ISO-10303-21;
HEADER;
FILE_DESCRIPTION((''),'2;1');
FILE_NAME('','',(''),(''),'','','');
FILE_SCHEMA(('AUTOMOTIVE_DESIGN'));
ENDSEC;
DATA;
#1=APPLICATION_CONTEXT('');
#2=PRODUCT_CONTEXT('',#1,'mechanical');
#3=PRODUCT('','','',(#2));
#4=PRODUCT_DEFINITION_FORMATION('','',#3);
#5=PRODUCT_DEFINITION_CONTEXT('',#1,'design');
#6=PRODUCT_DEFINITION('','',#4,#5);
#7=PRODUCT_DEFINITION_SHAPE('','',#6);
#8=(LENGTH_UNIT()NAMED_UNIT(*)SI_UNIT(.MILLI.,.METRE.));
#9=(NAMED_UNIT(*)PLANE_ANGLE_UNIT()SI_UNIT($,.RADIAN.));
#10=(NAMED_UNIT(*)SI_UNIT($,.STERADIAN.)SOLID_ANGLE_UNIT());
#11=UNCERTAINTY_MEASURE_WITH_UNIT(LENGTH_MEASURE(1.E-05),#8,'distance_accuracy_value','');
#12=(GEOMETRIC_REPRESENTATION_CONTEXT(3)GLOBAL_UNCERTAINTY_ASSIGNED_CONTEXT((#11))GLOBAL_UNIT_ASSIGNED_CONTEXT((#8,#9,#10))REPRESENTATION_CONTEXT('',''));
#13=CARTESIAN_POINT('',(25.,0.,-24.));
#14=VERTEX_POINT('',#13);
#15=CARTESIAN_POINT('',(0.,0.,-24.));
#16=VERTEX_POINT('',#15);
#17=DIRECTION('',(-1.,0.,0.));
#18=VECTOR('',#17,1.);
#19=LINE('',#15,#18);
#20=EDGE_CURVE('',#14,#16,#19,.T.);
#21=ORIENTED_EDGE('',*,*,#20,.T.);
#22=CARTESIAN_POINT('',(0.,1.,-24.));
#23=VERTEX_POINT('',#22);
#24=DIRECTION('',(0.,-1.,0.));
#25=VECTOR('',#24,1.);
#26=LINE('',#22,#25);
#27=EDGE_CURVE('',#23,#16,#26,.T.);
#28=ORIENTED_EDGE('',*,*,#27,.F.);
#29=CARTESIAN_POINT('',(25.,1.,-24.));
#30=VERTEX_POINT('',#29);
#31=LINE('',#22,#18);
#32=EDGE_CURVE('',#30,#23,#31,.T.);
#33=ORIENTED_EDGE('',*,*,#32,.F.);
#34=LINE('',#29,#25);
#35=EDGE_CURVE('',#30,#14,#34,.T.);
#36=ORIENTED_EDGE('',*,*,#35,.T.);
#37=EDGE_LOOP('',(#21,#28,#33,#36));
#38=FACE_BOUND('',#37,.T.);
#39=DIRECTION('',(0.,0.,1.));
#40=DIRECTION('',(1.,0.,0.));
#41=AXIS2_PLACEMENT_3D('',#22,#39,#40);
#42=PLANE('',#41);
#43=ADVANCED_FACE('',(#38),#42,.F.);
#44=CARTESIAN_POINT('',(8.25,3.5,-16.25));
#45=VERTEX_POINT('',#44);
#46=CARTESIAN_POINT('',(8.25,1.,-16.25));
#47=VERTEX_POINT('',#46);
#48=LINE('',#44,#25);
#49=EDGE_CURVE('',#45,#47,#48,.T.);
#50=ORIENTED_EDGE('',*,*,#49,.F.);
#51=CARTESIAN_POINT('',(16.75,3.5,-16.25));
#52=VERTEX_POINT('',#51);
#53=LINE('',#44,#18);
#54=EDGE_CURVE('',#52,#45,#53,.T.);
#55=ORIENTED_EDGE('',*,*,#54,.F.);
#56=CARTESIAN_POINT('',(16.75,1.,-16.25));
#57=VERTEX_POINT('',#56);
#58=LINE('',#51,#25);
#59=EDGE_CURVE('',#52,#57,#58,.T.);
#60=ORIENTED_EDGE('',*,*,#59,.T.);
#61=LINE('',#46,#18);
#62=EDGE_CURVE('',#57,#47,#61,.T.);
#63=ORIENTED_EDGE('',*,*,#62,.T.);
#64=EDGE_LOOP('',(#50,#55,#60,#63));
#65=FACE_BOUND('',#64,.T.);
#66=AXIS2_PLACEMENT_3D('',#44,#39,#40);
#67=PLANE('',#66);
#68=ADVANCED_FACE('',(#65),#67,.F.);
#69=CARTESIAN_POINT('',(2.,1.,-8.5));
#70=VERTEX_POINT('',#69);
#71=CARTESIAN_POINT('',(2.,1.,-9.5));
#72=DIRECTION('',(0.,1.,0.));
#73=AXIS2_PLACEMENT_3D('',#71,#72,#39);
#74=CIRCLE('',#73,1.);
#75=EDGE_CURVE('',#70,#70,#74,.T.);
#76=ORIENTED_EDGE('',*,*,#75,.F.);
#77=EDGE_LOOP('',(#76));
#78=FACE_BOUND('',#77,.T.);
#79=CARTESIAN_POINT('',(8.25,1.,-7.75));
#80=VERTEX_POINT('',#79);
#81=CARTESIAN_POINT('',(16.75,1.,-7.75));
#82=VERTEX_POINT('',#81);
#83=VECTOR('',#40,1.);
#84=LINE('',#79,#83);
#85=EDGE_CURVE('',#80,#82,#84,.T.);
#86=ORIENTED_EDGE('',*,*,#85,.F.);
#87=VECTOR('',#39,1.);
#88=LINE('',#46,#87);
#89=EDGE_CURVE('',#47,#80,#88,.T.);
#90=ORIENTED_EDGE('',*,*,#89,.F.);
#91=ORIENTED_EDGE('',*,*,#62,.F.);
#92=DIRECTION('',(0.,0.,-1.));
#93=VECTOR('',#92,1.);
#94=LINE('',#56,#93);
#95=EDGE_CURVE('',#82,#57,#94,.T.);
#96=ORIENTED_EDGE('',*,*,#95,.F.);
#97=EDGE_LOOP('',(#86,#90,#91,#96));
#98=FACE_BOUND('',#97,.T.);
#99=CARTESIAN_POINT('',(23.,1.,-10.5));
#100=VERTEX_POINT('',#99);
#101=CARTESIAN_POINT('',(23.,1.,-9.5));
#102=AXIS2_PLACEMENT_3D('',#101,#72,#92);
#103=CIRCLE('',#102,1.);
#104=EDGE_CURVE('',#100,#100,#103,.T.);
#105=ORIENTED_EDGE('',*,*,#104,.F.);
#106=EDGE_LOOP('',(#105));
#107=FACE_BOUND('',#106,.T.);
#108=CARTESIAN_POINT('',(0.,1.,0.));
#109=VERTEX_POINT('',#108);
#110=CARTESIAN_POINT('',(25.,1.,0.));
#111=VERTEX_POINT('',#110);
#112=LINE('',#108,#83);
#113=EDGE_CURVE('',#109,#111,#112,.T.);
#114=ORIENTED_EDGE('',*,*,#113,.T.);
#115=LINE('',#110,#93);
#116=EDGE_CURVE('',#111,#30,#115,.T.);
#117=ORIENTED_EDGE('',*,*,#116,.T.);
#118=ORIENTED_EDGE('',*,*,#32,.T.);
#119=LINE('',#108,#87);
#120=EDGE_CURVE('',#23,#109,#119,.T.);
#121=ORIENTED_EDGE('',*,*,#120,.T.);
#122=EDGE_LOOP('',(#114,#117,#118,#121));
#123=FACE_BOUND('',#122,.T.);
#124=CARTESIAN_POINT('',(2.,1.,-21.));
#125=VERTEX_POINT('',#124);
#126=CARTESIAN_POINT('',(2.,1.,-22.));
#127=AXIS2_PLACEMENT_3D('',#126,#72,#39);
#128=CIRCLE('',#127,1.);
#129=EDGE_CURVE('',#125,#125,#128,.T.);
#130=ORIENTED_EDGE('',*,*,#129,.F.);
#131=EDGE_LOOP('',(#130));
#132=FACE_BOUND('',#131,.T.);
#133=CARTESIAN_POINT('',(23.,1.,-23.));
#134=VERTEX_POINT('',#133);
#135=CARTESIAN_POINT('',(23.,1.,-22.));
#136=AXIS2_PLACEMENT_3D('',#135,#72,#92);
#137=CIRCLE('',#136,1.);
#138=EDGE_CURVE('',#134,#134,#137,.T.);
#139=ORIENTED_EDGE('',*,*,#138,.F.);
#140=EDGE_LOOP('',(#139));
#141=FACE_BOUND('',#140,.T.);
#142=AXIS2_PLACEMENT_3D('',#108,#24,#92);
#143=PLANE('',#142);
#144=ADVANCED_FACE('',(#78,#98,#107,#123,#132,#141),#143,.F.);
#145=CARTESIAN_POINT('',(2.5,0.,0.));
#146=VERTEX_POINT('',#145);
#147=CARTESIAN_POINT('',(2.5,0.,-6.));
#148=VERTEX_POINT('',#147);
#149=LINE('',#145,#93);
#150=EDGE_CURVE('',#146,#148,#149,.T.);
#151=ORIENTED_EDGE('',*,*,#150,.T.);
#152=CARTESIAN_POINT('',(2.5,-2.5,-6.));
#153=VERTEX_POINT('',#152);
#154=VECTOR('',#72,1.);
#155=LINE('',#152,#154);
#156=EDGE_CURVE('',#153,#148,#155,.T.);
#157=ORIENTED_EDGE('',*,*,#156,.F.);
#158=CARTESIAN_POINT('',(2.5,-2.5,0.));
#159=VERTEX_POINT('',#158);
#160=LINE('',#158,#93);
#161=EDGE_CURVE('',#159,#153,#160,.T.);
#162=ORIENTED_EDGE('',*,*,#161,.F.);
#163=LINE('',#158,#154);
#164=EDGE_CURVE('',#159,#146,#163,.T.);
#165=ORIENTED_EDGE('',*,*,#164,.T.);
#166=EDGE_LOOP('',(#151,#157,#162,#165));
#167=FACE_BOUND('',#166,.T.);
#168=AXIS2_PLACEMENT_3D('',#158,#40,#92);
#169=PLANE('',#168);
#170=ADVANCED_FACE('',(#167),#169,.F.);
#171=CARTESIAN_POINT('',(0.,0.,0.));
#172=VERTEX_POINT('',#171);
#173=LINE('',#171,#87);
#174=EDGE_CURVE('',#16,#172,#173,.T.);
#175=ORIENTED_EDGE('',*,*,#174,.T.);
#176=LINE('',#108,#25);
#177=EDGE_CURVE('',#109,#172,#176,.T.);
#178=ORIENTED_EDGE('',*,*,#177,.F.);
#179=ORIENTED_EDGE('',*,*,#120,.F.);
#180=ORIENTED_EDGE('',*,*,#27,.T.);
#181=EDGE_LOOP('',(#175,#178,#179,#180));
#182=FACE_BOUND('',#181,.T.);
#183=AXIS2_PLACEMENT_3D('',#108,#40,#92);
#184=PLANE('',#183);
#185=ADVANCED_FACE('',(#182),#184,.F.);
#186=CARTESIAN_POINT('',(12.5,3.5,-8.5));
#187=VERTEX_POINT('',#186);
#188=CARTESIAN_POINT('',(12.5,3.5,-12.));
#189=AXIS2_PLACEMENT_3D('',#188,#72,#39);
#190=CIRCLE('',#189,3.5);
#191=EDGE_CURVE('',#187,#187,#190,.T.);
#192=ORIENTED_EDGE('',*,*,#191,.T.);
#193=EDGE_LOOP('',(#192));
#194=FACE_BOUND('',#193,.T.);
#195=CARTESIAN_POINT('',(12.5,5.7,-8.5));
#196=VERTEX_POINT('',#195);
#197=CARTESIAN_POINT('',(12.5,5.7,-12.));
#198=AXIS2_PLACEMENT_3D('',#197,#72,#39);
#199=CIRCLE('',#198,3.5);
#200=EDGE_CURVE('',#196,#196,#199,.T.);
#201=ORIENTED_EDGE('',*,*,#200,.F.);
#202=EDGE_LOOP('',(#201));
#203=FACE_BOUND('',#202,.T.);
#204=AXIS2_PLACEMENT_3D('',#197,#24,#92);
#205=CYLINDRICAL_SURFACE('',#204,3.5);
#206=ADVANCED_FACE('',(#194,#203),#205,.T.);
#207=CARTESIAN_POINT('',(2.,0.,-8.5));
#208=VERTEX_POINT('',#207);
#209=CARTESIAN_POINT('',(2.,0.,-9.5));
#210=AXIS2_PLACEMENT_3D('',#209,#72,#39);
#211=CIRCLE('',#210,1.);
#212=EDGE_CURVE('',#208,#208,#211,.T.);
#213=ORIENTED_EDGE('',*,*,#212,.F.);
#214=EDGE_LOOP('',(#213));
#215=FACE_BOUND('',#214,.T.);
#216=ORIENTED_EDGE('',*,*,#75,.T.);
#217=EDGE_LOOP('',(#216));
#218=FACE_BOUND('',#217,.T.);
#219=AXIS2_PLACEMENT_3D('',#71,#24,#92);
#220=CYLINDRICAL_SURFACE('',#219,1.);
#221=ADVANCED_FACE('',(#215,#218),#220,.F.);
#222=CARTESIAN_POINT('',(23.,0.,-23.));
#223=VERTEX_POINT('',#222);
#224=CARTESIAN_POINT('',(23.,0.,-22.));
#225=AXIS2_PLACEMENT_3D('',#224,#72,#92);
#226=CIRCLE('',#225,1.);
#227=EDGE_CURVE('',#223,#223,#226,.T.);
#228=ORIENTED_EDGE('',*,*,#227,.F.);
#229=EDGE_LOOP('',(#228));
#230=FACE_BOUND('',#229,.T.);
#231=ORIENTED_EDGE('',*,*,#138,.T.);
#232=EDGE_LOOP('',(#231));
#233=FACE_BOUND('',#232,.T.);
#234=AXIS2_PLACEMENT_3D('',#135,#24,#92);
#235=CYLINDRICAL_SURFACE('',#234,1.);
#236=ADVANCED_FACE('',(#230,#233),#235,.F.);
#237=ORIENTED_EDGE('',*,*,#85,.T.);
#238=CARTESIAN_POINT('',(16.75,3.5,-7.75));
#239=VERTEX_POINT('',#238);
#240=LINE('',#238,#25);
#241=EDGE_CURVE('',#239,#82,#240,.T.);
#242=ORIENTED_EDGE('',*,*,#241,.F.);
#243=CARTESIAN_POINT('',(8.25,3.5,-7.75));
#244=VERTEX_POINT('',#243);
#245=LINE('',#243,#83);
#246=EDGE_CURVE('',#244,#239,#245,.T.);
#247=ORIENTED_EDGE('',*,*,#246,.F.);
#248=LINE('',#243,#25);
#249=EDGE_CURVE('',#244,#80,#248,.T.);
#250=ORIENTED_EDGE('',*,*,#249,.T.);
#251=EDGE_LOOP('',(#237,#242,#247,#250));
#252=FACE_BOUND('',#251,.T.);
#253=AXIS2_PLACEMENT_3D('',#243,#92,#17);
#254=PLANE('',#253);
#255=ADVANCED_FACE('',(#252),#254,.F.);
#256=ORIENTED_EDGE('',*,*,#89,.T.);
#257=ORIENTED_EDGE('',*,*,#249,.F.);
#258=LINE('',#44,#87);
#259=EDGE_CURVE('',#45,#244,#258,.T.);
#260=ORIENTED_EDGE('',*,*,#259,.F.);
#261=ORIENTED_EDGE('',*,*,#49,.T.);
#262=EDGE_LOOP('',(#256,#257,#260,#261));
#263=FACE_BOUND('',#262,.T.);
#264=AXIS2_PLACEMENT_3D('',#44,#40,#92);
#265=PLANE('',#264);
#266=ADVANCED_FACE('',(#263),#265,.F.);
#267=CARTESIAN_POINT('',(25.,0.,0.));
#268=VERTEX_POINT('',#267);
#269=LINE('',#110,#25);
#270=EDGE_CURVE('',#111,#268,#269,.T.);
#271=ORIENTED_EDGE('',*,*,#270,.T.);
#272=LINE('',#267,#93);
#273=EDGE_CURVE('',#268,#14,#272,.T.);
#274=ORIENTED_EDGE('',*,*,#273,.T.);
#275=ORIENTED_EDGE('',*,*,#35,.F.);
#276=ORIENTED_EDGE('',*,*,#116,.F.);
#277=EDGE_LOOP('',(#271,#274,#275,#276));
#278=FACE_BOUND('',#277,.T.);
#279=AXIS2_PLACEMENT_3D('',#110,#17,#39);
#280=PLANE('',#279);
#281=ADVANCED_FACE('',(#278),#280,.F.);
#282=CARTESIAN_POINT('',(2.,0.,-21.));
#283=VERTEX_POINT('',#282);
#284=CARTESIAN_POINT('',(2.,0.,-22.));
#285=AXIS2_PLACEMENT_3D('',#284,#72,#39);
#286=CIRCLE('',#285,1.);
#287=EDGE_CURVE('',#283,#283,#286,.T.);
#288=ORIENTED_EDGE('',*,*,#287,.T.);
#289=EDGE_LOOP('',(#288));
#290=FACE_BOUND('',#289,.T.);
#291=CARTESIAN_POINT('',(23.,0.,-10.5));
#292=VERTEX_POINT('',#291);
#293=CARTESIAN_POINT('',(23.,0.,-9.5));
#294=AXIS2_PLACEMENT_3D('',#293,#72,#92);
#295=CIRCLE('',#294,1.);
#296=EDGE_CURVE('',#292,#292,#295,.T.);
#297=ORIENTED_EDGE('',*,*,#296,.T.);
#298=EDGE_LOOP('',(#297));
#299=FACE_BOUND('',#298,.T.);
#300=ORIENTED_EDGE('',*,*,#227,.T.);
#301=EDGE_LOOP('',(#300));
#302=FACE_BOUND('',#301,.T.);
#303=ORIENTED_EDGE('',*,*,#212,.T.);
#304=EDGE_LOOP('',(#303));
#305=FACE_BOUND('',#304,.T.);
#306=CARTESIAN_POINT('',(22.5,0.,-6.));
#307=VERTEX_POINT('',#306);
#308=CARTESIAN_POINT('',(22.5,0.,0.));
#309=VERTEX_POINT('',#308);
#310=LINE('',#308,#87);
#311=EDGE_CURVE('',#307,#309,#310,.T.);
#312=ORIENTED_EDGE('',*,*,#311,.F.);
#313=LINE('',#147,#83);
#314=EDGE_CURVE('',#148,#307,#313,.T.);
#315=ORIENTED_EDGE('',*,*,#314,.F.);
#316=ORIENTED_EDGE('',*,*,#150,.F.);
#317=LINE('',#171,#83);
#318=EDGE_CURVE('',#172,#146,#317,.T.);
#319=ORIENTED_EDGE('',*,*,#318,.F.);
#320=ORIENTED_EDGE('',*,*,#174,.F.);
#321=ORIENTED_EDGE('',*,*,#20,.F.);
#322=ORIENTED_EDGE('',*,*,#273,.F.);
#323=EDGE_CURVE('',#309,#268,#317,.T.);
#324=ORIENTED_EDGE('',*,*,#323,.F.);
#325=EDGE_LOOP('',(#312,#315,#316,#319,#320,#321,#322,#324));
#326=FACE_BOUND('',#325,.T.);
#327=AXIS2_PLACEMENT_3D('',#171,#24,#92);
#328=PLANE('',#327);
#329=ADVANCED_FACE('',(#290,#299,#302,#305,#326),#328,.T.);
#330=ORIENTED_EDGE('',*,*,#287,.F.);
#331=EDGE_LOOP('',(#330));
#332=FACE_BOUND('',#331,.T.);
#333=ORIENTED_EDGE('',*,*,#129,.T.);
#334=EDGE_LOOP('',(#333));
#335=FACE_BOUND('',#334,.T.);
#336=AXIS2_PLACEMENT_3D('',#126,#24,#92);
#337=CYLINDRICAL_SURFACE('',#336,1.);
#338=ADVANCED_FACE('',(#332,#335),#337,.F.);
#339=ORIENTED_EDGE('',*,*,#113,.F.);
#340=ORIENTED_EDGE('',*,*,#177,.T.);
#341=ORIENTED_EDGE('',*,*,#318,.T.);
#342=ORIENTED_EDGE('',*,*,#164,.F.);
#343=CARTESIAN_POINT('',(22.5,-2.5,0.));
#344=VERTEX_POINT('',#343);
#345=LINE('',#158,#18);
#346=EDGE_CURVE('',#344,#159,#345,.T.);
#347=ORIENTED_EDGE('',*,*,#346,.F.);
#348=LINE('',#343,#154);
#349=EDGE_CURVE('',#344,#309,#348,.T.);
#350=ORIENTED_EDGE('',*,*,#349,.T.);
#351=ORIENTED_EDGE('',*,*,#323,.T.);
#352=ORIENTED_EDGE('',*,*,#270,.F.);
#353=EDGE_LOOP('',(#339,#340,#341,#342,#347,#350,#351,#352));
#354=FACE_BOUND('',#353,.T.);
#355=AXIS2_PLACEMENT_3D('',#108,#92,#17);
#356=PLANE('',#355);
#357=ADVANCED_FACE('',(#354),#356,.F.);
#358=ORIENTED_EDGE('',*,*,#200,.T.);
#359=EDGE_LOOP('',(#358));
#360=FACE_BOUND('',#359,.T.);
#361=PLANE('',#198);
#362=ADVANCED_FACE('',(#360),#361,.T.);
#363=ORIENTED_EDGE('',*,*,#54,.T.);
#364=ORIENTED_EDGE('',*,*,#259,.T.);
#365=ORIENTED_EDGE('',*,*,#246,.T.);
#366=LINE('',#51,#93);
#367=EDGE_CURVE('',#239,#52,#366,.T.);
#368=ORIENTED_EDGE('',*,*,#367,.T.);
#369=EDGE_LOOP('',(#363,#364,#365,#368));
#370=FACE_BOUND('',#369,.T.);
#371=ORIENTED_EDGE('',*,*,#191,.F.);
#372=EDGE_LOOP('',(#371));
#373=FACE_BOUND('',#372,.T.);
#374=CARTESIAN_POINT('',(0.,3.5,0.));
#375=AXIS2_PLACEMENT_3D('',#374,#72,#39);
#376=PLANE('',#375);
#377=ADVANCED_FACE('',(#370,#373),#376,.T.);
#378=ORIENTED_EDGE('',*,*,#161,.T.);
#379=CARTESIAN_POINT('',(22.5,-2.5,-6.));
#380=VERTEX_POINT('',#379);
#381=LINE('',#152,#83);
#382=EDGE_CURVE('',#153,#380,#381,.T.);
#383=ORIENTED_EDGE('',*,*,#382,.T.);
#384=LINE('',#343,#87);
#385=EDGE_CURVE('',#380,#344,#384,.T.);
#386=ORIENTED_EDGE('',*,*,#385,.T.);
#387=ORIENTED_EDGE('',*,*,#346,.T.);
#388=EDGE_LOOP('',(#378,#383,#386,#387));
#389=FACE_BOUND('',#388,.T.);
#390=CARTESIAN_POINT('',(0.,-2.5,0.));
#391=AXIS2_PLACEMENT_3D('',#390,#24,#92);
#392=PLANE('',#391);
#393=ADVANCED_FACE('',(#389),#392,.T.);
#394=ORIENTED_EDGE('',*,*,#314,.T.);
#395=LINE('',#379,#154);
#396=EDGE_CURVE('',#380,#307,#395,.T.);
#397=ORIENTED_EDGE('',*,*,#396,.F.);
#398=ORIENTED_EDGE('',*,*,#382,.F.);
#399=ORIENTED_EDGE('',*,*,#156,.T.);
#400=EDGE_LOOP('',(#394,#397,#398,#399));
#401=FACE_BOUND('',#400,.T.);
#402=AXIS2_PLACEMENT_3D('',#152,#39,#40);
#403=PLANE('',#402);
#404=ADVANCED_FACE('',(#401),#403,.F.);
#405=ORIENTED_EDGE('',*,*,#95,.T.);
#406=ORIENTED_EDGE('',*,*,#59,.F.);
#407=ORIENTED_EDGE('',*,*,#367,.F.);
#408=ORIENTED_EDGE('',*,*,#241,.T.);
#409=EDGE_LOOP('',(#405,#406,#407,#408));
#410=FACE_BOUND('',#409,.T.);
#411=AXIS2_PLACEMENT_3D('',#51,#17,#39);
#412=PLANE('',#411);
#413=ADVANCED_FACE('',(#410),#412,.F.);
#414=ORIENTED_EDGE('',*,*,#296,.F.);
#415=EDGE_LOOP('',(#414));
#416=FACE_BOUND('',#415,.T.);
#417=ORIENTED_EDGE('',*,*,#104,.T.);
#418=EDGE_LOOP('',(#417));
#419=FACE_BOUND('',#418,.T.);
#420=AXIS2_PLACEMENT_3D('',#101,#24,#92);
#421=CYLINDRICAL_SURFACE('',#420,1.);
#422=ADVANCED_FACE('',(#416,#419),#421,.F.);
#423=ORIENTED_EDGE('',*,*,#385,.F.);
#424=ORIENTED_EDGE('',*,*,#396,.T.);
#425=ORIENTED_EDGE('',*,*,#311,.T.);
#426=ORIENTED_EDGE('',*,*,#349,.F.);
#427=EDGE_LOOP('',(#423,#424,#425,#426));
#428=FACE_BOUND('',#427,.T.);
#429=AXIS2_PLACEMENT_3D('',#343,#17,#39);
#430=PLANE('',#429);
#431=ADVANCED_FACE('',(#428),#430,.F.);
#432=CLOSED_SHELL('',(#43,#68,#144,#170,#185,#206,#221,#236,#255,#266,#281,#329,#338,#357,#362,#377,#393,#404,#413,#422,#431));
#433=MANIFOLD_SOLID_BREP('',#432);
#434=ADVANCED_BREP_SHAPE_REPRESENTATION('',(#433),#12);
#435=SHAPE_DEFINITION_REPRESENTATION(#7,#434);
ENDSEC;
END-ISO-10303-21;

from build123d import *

# Parameters (mm, degrees)
SKETCH1_W           = 25
SKETCH1_H           = 24
SKETCH1_R           = 1
BOSS_EXTRUDE1_DEPTH = 1
SKETCH2_W           = 8.5
SKETCH2_H           = 8.5
BOSS_EXTRUDE2_DEPTH = 2.5
SKETCH3_R           = 3.5
BOSS_EXTRUDE3_DEPTH = 2.2
SKETCH4_W           = 20
SKETCH4_H           = 6
BOSS_EXTRUDE4_DEPTH = 2.5


with BuildPart() as part:
    # Sketch1 → Boss-Extrude1 (new body)
    with BuildSketch(Plane(origin=(0, 0, 0), x_dir=(1, 0, 0), z_dir=(0, 1, 0))):
        with Locations((12.5, 12)):
            Rectangle(SKETCH1_W, SKETCH1_H)
        with Locations((2, 22)):
            Circle(SKETCH1_R, mode=Mode.SUBTRACT)
        with Locations((2, 9.5)):
            Circle(SKETCH1_R, mode=Mode.SUBTRACT)
        with Locations((23, 9.5)):
            Circle(SKETCH1_R, mode=Mode.SUBTRACT)
        with Locations((23, 22)):
            Circle(SKETCH1_R, mode=Mode.SUBTRACT)
    extrude(amount=BOSS_EXTRUDE1_DEPTH)

    # Sketch2 → Boss-Extrude2 (add)
    with BuildSketch(Plane(origin=(0, 1, 0), x_dir=(1, 0, 0), z_dir=(0, 1, 0))):
        with Locations((12.5, 12)):
            Rectangle(SKETCH2_W, SKETCH2_H)
    extrude(amount=BOSS_EXTRUDE2_DEPTH)

    # Sketch3 → Boss-Extrude3 (add)
    with BuildSketch(Plane(origin=(0, 3.5, 0), x_dir=(1, 0, 0), z_dir=(0, 1, 0))):
        with Locations((12.5, 12)):
            Circle(SKETCH3_R)
    extrude(amount=BOSS_EXTRUDE3_DEPTH)

    # Sketch4 → Boss-Extrude4 (add)
    with BuildSketch(Plane.XZ):
        with Locations((12.5, -3)):
            Rectangle(SKETCH4_W, SKETCH4_H)
    extrude(amount=BOSS_EXTRUDE4_DEPTH)


solid = part.part
